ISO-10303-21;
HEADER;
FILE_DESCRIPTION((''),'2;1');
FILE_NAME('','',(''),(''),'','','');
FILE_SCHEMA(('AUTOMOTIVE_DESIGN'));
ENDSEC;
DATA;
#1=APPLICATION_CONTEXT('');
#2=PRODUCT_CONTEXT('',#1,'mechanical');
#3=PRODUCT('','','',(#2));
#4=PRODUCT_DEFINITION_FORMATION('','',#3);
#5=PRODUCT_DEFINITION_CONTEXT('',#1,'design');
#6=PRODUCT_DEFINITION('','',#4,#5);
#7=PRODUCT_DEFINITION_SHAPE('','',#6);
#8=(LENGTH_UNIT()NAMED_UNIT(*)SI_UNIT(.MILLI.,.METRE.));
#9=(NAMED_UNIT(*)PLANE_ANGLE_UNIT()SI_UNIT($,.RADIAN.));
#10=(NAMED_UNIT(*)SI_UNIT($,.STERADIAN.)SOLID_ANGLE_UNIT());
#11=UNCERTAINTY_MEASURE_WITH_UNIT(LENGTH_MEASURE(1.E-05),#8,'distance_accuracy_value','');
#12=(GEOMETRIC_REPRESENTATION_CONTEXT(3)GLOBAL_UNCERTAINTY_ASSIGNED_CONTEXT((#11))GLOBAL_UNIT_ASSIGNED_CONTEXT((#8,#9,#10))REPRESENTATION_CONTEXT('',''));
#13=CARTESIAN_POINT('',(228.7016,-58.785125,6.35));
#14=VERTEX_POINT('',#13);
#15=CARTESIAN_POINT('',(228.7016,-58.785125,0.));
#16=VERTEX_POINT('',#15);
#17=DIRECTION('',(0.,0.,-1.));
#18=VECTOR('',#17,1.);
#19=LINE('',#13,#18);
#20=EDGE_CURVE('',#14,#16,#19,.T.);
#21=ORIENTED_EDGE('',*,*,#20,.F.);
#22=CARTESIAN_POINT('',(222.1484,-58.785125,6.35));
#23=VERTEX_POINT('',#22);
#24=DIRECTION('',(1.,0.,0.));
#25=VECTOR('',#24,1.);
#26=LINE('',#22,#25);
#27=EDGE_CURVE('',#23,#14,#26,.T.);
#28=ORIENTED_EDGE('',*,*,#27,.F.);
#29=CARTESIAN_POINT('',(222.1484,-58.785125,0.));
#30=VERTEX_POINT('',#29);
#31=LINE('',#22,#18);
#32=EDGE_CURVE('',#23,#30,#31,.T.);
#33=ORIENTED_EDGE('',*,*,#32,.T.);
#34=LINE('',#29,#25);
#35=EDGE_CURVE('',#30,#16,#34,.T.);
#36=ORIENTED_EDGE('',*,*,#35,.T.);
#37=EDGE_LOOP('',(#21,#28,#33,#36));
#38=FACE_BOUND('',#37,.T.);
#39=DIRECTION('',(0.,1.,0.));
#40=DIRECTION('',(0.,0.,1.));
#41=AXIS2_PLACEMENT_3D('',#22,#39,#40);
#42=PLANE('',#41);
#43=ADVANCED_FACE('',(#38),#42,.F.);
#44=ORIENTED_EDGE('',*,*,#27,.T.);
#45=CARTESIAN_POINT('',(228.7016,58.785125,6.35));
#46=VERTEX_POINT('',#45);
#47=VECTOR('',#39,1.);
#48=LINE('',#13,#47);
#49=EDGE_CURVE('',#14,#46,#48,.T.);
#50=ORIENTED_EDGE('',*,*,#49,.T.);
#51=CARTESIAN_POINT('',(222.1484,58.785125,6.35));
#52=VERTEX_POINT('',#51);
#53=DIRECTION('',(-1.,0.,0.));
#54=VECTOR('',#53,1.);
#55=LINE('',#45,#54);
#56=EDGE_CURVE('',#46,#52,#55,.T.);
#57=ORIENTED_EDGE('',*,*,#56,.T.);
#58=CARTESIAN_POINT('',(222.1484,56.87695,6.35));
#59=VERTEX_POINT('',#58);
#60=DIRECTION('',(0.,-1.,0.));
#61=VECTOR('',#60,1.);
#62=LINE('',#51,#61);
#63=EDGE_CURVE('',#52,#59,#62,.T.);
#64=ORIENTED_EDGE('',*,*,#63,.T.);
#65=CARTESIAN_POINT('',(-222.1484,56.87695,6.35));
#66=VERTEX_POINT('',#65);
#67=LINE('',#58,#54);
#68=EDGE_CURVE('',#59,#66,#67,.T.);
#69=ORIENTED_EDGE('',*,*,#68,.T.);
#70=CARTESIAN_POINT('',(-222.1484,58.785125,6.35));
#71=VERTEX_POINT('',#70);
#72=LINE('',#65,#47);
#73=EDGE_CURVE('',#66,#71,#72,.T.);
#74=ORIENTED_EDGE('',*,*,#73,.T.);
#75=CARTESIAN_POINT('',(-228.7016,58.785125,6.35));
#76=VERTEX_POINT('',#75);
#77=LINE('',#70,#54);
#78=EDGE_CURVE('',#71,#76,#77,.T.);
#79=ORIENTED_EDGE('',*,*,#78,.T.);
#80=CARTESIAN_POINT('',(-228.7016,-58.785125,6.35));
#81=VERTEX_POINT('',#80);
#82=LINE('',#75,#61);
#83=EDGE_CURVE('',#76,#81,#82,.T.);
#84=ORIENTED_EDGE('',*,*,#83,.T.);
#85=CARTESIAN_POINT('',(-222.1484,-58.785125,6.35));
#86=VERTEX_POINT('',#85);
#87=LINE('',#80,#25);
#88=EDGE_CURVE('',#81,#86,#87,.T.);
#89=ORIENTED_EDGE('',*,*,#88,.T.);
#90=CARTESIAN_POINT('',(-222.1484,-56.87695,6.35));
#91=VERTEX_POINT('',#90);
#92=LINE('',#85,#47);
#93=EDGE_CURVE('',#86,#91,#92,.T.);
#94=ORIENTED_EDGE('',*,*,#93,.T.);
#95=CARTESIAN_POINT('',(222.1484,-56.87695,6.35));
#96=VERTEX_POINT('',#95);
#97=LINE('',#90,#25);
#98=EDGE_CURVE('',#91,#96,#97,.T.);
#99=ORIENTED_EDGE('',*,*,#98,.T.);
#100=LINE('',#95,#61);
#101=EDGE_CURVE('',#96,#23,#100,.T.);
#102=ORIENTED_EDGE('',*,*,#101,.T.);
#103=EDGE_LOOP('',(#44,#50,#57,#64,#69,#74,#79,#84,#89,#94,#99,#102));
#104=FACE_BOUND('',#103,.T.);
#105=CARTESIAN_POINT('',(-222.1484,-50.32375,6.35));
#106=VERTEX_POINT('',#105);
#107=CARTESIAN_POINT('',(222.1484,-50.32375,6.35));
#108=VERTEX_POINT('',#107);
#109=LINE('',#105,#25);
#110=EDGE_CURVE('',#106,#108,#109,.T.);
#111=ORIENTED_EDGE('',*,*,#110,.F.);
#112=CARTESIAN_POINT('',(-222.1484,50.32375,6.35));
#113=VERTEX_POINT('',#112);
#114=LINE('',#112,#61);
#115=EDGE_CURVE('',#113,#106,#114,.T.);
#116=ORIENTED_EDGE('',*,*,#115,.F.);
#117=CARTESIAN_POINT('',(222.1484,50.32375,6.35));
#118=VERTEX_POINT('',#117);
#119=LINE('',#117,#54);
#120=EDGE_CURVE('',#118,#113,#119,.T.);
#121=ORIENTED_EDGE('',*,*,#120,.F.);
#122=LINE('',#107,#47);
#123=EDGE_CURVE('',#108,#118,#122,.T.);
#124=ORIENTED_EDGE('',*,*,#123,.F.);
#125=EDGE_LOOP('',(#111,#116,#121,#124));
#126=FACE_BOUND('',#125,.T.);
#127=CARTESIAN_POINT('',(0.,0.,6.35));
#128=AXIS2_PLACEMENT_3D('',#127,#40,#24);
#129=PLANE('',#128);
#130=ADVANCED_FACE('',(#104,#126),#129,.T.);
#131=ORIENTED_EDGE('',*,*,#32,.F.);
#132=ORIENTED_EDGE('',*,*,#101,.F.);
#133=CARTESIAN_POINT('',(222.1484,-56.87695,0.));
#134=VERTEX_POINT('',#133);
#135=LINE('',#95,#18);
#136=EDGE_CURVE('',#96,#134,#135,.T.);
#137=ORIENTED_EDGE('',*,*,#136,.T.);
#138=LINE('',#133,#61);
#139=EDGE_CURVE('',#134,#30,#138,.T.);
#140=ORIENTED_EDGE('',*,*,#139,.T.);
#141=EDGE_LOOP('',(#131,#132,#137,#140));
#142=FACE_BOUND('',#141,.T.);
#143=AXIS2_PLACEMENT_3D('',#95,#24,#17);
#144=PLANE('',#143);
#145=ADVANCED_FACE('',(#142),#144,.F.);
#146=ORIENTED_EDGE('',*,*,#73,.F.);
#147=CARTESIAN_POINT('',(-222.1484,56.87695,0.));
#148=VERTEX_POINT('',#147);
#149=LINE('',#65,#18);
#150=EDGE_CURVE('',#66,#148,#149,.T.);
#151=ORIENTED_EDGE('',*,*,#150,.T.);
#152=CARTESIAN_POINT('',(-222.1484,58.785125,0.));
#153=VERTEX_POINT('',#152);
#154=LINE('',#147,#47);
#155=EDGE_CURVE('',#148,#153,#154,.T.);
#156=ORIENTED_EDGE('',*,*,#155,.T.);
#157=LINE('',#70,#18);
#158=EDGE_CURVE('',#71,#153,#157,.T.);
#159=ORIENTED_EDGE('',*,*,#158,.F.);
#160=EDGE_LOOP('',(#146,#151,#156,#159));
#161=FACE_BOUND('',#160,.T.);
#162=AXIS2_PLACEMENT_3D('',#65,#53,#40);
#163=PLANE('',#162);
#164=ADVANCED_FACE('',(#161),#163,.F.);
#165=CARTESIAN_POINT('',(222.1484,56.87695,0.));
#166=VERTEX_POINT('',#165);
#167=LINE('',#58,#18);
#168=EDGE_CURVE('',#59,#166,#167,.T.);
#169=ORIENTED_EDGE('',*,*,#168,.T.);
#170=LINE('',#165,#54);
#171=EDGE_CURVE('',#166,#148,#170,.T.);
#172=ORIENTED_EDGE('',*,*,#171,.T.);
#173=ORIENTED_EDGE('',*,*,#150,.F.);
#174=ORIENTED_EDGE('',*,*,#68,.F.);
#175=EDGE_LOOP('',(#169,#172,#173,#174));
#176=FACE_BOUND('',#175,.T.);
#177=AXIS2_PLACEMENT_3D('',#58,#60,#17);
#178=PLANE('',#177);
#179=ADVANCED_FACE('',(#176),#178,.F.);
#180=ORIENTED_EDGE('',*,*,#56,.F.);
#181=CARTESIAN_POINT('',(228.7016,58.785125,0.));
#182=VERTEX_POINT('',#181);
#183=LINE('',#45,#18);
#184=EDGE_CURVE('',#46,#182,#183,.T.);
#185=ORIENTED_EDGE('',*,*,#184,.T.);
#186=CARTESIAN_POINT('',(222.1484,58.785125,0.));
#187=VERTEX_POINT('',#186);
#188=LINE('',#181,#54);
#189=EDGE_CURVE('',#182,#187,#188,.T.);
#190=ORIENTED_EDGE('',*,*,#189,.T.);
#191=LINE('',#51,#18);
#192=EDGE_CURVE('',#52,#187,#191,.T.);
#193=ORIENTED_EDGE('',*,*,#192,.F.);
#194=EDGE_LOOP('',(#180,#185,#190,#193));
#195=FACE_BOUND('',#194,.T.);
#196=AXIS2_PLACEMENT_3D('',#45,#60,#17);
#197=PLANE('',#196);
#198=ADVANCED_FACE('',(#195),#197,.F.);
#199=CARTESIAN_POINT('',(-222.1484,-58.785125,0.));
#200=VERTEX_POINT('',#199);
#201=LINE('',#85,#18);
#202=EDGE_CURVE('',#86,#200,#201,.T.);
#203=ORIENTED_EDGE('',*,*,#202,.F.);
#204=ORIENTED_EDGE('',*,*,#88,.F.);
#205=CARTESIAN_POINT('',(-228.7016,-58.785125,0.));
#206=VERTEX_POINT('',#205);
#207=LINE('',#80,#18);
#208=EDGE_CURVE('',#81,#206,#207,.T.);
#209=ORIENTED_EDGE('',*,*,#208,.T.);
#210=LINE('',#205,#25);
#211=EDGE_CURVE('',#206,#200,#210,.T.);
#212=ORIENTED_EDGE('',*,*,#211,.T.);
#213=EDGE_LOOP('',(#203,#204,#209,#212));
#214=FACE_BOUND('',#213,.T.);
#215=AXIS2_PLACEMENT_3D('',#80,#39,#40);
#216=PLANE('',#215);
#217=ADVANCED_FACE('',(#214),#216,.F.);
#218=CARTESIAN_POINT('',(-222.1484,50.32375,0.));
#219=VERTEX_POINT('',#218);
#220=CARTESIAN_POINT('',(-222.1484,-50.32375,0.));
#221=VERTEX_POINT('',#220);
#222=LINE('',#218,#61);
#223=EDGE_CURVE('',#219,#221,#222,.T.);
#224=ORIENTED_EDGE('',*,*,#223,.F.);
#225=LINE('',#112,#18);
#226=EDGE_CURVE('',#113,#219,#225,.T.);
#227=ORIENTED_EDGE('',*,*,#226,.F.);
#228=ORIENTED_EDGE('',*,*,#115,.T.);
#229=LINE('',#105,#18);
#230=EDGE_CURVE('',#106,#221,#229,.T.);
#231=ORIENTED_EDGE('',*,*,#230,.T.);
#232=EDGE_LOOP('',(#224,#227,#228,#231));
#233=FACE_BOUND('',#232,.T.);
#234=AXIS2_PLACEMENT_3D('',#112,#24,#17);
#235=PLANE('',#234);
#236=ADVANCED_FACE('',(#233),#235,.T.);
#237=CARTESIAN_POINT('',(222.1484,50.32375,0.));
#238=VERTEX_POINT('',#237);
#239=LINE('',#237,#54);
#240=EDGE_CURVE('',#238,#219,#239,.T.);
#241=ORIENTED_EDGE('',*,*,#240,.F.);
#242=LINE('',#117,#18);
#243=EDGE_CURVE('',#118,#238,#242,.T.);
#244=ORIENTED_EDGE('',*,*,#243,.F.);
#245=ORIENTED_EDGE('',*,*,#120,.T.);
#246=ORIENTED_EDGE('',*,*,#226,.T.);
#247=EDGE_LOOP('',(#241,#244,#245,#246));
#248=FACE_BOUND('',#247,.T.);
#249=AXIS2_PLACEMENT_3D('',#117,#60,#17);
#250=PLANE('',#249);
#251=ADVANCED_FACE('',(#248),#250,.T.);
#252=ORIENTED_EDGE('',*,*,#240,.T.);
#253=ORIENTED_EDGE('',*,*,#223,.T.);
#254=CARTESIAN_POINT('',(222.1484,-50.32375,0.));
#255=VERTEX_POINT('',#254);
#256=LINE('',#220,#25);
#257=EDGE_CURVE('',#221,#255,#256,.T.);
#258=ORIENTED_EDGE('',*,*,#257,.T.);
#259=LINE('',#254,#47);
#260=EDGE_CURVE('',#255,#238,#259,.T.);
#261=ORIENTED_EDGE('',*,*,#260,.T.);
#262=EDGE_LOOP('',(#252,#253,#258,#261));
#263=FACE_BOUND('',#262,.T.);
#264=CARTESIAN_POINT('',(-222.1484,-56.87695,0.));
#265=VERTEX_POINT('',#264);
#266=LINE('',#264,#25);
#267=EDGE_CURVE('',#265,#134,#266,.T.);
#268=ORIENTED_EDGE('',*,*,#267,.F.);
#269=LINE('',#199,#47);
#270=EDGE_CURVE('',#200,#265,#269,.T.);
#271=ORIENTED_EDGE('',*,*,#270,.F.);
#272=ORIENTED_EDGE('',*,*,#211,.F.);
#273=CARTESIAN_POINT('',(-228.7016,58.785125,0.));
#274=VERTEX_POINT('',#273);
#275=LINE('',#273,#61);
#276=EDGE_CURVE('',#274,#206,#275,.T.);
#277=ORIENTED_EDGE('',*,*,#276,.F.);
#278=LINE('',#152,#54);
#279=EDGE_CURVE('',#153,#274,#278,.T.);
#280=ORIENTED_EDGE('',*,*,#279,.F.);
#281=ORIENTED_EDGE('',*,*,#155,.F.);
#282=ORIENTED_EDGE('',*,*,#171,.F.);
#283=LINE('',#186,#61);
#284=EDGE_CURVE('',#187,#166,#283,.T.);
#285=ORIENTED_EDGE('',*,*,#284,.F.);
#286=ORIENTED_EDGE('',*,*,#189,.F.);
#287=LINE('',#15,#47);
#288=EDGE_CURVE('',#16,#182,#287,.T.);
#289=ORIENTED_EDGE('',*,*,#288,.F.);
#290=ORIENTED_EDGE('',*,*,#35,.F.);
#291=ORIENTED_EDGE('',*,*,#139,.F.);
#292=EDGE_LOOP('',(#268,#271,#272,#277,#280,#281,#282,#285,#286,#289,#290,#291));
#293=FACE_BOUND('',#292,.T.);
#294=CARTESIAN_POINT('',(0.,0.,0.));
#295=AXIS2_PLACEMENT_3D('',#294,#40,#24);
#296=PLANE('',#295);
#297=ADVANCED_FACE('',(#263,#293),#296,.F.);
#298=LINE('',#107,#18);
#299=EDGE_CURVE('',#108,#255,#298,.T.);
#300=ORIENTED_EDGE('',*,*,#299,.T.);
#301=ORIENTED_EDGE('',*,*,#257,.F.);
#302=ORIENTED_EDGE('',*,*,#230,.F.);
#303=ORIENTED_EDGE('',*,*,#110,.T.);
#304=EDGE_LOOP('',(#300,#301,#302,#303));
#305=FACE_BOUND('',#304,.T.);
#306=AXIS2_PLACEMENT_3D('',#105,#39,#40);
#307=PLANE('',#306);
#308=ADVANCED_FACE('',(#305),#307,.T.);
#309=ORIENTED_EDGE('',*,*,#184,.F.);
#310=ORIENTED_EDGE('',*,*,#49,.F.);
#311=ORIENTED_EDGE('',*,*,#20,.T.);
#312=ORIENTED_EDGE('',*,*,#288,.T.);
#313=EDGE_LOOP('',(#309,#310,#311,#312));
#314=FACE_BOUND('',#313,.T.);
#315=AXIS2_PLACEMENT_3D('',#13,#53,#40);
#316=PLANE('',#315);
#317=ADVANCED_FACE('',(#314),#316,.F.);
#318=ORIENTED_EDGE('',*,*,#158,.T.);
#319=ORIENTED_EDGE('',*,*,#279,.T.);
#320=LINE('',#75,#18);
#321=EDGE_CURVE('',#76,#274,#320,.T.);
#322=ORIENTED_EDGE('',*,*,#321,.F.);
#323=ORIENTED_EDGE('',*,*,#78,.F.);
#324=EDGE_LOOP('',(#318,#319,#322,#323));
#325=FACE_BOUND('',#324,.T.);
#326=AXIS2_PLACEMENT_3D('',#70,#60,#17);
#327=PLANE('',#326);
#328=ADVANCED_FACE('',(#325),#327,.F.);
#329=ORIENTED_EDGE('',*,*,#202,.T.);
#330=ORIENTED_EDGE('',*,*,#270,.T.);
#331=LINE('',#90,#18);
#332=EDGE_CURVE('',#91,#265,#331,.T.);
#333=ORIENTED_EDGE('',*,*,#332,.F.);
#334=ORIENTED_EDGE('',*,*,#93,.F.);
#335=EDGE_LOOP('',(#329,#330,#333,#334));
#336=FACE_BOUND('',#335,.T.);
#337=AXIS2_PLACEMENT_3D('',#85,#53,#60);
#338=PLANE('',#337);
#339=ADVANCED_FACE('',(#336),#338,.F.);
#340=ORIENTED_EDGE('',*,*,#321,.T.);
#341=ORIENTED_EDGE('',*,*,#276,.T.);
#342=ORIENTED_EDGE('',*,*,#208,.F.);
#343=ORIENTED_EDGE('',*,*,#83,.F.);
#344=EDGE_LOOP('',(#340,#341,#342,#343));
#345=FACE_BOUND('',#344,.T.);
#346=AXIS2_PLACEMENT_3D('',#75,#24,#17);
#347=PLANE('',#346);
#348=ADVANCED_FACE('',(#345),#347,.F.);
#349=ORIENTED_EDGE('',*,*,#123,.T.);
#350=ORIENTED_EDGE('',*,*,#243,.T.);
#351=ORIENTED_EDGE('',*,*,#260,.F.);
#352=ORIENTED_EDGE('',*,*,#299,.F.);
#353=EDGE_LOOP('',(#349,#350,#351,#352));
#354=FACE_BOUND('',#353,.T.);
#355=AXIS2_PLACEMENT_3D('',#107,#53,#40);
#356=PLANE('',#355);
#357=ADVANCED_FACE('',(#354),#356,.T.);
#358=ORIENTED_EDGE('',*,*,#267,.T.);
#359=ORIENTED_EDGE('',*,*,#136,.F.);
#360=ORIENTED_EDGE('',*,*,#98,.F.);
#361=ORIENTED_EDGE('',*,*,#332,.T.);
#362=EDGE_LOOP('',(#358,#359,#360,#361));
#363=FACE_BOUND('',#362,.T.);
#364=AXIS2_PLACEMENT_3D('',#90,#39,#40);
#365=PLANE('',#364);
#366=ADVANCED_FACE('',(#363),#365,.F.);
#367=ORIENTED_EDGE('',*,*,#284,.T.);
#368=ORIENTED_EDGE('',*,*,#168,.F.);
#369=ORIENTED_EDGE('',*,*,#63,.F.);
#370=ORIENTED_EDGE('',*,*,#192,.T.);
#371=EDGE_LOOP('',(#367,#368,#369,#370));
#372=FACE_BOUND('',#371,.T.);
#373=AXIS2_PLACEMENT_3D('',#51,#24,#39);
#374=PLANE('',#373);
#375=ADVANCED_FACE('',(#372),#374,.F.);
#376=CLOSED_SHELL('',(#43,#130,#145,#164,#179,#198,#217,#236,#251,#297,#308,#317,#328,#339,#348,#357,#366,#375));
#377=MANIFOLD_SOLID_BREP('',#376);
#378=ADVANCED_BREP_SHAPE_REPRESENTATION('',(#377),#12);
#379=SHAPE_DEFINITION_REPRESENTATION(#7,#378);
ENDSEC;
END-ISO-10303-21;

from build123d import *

# Parameters (mm, degrees)
SKETCH1_W           = 444.2968
SKETCH1_H           = 100.6475
BOSS_EXTRUDE1_DEPTH = 6.35


with BuildPart() as part:
    # Sketch1 → Boss-Extrude1 (new body)
    with BuildSketch(Plane.XY):
        Polygon((222.1484, -58.785125), (228.7016, -58.785125), (228.7016, 58.785125), (222.1484, 58.785125), (222.1484, 56.87695), (-222.1484, 56.87695), (-222.1484, 58.785125), (-228.7016, 58.785125), (-228.7016, -58.785125), (-222.1484, -58.785125), (-222.1484, -56.87695), (222.1484, -56.87695), align=None)
        Rectangle(SKETCH1_W, SKETCH1_H, mode=Mode.SUBTRACT)
    extrude(amount=BOSS_EXTRUDE1_DEPTH)


solid = part.part
